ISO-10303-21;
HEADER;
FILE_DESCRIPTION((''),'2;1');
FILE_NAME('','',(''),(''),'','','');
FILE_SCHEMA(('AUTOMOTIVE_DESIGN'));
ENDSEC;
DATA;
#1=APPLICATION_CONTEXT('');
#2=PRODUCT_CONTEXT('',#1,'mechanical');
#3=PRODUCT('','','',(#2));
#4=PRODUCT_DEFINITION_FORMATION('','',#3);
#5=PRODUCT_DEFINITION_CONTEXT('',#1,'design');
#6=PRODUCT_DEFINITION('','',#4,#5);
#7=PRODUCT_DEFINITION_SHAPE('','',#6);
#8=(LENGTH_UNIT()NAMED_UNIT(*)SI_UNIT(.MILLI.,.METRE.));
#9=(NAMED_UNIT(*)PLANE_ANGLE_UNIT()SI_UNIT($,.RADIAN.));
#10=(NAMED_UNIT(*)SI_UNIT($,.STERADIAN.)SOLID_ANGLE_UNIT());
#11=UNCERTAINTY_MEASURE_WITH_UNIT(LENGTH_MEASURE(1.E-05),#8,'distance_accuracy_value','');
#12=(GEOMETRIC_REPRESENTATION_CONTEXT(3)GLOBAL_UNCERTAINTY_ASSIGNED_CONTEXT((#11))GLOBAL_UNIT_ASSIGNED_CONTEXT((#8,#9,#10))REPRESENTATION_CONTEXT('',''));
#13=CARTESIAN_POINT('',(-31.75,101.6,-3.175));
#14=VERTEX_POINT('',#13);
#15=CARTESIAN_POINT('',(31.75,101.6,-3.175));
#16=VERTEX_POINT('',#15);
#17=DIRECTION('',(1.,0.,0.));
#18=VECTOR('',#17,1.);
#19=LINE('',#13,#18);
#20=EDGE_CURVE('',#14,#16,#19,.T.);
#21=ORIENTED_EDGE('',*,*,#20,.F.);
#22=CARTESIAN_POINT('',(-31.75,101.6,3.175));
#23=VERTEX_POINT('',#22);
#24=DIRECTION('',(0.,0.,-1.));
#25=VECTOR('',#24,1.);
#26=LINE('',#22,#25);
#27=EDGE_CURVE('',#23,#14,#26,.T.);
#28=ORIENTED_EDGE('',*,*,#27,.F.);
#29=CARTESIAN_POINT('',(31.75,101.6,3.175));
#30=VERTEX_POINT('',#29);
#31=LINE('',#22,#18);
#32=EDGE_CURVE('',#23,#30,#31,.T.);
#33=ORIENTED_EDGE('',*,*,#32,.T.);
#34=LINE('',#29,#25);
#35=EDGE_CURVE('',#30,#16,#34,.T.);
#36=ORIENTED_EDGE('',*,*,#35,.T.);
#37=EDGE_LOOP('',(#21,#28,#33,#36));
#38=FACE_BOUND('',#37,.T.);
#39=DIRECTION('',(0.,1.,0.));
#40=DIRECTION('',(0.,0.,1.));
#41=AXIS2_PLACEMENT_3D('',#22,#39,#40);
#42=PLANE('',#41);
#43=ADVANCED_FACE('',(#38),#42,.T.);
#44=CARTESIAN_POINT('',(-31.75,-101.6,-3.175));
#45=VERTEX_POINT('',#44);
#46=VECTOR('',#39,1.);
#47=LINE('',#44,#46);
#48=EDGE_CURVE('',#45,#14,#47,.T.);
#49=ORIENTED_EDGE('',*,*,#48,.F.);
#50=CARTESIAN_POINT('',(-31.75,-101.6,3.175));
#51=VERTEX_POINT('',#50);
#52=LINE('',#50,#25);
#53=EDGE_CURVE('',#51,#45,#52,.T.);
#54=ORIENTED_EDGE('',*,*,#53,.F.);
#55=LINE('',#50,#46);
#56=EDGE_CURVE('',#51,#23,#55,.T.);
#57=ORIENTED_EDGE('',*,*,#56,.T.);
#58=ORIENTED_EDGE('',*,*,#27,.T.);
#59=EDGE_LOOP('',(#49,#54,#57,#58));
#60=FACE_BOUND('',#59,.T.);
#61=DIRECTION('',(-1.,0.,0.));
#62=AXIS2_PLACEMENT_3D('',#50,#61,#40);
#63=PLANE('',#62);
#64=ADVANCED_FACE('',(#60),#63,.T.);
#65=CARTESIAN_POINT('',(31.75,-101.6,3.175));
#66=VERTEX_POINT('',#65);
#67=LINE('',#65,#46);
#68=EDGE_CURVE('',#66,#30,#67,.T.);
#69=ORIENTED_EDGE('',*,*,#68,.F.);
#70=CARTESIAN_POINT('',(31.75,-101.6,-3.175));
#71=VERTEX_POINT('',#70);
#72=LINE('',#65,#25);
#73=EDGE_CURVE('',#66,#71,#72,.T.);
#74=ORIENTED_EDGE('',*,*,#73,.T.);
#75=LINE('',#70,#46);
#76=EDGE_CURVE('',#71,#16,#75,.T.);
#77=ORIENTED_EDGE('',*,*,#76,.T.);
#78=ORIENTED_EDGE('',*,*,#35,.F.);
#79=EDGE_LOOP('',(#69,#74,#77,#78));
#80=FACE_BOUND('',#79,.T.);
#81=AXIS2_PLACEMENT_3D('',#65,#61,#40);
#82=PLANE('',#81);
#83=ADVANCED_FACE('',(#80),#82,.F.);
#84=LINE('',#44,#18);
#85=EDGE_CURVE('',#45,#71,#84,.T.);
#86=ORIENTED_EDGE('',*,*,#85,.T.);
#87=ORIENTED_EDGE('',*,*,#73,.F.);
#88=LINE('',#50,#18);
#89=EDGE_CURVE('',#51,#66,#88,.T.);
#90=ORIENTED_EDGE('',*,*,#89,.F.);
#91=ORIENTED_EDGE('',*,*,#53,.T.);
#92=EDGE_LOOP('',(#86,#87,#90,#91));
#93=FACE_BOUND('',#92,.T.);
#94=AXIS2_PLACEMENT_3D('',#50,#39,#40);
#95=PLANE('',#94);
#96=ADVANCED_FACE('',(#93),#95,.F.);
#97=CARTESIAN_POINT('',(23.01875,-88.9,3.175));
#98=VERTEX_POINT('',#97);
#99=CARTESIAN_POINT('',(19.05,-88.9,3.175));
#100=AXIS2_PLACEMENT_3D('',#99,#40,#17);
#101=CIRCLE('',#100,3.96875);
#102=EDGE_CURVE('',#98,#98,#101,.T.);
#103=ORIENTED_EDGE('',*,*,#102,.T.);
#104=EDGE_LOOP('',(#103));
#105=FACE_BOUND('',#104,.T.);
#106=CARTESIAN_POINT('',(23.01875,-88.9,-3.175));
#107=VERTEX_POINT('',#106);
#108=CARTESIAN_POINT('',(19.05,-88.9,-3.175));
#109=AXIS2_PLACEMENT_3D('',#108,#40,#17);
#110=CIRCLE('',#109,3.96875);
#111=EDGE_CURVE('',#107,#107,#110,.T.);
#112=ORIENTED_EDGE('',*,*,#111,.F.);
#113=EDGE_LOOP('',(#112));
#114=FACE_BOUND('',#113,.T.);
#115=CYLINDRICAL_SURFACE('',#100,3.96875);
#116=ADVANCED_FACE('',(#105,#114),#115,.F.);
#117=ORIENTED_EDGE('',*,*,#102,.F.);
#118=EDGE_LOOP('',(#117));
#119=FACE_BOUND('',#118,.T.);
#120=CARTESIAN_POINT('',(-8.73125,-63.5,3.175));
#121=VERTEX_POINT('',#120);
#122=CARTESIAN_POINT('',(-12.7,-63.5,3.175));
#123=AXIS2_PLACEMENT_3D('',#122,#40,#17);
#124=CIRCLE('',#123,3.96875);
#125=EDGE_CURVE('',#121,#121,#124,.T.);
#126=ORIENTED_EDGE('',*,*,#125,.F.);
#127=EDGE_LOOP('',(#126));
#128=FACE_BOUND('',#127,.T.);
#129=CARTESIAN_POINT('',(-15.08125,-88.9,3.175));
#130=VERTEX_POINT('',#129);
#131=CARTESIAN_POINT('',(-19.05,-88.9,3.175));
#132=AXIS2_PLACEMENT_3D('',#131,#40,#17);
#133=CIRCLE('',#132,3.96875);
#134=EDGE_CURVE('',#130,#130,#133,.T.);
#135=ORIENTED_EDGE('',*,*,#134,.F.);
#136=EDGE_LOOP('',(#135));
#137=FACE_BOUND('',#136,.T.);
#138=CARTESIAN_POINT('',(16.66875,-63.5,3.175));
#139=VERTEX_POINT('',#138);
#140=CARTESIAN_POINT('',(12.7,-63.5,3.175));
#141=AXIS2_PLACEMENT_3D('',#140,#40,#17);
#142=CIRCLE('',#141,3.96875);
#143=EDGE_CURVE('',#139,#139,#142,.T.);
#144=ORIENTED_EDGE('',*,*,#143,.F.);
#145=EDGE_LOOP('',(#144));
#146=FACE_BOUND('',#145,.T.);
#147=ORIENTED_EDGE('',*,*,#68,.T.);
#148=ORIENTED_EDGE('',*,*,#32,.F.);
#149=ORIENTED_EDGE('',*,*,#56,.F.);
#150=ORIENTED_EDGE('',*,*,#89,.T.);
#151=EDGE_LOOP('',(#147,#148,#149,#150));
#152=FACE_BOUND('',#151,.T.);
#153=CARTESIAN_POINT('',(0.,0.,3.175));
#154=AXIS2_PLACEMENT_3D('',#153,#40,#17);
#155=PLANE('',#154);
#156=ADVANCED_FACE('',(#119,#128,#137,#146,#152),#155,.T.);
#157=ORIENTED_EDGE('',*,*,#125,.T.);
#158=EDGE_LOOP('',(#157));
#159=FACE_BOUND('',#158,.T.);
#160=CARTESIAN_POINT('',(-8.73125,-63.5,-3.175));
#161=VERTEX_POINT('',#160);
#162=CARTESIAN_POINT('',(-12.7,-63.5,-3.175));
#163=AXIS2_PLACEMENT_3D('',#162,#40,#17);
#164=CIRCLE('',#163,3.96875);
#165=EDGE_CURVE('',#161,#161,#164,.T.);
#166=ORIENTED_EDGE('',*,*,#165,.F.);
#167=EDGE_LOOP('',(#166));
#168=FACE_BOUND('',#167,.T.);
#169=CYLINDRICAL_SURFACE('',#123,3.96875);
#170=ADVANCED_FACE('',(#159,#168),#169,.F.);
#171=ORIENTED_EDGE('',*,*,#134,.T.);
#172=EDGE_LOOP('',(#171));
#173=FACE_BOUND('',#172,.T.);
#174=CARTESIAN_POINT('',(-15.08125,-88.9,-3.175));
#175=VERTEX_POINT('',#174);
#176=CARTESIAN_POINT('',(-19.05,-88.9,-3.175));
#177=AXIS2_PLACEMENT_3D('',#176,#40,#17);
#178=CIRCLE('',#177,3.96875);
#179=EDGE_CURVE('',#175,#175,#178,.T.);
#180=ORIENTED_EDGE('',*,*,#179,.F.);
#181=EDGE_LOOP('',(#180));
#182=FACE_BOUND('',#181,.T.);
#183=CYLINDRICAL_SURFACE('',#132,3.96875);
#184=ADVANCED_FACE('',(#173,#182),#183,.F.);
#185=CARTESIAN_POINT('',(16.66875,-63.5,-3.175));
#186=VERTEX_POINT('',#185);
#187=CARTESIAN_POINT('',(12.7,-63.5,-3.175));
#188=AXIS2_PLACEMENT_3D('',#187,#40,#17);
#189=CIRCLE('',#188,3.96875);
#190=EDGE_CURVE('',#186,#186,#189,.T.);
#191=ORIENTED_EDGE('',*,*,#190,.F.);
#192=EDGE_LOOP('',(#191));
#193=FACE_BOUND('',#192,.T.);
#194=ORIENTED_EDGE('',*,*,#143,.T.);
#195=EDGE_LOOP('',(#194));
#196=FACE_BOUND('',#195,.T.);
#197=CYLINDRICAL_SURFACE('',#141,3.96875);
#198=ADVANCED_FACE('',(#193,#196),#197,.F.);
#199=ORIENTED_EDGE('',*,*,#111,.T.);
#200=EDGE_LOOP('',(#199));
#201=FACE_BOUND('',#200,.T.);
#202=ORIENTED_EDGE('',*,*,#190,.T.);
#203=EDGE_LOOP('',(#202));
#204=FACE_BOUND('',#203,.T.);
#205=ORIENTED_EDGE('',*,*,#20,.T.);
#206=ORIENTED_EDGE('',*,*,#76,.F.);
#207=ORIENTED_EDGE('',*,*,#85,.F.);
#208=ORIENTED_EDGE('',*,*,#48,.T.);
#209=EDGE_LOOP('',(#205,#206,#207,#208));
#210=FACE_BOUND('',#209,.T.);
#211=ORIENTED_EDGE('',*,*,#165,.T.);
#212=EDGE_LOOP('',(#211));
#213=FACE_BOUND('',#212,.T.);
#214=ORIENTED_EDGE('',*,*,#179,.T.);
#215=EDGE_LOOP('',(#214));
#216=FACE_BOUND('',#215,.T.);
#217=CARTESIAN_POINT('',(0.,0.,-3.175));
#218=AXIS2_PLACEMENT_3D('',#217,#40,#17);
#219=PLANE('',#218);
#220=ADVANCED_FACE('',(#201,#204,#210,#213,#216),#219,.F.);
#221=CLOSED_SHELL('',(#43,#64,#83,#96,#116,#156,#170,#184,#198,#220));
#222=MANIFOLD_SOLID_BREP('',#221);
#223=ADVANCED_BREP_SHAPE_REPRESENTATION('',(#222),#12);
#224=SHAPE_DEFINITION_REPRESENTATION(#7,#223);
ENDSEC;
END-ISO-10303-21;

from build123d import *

# Parameters (mm, degrees)
SKETCH2_W                   = 63.5
SKETCH2_H                   = 203.2
BOSS_EXTRUDE1_DEPTH         = 3.175
TAP_DRILL_FOR_3_8_16_TAP1_D = 7.9375


with BuildPart() as part:
    # Sketch2 → Boss-Extrude1 (new, symmetric)
    with BuildSketch(Plane.XY):
        Rectangle(SKETCH2_W, SKETCH2_H)
    extrude(amount=BOSS_EXTRUDE1_DEPTH, both=True)

    # Tap Drill for 3/8-16 Tap1 (through all)
    with Locations(Plane.XY.offset(3.175)):
        with Locations((-12.7, -63.5), (12.7, -63.5), (-19.05, -88.9), (19.05, -88.9)):
            Hole(TAP_DRILL_FOR_3_8_16_TAP1_D / 2)


solid = part.part
